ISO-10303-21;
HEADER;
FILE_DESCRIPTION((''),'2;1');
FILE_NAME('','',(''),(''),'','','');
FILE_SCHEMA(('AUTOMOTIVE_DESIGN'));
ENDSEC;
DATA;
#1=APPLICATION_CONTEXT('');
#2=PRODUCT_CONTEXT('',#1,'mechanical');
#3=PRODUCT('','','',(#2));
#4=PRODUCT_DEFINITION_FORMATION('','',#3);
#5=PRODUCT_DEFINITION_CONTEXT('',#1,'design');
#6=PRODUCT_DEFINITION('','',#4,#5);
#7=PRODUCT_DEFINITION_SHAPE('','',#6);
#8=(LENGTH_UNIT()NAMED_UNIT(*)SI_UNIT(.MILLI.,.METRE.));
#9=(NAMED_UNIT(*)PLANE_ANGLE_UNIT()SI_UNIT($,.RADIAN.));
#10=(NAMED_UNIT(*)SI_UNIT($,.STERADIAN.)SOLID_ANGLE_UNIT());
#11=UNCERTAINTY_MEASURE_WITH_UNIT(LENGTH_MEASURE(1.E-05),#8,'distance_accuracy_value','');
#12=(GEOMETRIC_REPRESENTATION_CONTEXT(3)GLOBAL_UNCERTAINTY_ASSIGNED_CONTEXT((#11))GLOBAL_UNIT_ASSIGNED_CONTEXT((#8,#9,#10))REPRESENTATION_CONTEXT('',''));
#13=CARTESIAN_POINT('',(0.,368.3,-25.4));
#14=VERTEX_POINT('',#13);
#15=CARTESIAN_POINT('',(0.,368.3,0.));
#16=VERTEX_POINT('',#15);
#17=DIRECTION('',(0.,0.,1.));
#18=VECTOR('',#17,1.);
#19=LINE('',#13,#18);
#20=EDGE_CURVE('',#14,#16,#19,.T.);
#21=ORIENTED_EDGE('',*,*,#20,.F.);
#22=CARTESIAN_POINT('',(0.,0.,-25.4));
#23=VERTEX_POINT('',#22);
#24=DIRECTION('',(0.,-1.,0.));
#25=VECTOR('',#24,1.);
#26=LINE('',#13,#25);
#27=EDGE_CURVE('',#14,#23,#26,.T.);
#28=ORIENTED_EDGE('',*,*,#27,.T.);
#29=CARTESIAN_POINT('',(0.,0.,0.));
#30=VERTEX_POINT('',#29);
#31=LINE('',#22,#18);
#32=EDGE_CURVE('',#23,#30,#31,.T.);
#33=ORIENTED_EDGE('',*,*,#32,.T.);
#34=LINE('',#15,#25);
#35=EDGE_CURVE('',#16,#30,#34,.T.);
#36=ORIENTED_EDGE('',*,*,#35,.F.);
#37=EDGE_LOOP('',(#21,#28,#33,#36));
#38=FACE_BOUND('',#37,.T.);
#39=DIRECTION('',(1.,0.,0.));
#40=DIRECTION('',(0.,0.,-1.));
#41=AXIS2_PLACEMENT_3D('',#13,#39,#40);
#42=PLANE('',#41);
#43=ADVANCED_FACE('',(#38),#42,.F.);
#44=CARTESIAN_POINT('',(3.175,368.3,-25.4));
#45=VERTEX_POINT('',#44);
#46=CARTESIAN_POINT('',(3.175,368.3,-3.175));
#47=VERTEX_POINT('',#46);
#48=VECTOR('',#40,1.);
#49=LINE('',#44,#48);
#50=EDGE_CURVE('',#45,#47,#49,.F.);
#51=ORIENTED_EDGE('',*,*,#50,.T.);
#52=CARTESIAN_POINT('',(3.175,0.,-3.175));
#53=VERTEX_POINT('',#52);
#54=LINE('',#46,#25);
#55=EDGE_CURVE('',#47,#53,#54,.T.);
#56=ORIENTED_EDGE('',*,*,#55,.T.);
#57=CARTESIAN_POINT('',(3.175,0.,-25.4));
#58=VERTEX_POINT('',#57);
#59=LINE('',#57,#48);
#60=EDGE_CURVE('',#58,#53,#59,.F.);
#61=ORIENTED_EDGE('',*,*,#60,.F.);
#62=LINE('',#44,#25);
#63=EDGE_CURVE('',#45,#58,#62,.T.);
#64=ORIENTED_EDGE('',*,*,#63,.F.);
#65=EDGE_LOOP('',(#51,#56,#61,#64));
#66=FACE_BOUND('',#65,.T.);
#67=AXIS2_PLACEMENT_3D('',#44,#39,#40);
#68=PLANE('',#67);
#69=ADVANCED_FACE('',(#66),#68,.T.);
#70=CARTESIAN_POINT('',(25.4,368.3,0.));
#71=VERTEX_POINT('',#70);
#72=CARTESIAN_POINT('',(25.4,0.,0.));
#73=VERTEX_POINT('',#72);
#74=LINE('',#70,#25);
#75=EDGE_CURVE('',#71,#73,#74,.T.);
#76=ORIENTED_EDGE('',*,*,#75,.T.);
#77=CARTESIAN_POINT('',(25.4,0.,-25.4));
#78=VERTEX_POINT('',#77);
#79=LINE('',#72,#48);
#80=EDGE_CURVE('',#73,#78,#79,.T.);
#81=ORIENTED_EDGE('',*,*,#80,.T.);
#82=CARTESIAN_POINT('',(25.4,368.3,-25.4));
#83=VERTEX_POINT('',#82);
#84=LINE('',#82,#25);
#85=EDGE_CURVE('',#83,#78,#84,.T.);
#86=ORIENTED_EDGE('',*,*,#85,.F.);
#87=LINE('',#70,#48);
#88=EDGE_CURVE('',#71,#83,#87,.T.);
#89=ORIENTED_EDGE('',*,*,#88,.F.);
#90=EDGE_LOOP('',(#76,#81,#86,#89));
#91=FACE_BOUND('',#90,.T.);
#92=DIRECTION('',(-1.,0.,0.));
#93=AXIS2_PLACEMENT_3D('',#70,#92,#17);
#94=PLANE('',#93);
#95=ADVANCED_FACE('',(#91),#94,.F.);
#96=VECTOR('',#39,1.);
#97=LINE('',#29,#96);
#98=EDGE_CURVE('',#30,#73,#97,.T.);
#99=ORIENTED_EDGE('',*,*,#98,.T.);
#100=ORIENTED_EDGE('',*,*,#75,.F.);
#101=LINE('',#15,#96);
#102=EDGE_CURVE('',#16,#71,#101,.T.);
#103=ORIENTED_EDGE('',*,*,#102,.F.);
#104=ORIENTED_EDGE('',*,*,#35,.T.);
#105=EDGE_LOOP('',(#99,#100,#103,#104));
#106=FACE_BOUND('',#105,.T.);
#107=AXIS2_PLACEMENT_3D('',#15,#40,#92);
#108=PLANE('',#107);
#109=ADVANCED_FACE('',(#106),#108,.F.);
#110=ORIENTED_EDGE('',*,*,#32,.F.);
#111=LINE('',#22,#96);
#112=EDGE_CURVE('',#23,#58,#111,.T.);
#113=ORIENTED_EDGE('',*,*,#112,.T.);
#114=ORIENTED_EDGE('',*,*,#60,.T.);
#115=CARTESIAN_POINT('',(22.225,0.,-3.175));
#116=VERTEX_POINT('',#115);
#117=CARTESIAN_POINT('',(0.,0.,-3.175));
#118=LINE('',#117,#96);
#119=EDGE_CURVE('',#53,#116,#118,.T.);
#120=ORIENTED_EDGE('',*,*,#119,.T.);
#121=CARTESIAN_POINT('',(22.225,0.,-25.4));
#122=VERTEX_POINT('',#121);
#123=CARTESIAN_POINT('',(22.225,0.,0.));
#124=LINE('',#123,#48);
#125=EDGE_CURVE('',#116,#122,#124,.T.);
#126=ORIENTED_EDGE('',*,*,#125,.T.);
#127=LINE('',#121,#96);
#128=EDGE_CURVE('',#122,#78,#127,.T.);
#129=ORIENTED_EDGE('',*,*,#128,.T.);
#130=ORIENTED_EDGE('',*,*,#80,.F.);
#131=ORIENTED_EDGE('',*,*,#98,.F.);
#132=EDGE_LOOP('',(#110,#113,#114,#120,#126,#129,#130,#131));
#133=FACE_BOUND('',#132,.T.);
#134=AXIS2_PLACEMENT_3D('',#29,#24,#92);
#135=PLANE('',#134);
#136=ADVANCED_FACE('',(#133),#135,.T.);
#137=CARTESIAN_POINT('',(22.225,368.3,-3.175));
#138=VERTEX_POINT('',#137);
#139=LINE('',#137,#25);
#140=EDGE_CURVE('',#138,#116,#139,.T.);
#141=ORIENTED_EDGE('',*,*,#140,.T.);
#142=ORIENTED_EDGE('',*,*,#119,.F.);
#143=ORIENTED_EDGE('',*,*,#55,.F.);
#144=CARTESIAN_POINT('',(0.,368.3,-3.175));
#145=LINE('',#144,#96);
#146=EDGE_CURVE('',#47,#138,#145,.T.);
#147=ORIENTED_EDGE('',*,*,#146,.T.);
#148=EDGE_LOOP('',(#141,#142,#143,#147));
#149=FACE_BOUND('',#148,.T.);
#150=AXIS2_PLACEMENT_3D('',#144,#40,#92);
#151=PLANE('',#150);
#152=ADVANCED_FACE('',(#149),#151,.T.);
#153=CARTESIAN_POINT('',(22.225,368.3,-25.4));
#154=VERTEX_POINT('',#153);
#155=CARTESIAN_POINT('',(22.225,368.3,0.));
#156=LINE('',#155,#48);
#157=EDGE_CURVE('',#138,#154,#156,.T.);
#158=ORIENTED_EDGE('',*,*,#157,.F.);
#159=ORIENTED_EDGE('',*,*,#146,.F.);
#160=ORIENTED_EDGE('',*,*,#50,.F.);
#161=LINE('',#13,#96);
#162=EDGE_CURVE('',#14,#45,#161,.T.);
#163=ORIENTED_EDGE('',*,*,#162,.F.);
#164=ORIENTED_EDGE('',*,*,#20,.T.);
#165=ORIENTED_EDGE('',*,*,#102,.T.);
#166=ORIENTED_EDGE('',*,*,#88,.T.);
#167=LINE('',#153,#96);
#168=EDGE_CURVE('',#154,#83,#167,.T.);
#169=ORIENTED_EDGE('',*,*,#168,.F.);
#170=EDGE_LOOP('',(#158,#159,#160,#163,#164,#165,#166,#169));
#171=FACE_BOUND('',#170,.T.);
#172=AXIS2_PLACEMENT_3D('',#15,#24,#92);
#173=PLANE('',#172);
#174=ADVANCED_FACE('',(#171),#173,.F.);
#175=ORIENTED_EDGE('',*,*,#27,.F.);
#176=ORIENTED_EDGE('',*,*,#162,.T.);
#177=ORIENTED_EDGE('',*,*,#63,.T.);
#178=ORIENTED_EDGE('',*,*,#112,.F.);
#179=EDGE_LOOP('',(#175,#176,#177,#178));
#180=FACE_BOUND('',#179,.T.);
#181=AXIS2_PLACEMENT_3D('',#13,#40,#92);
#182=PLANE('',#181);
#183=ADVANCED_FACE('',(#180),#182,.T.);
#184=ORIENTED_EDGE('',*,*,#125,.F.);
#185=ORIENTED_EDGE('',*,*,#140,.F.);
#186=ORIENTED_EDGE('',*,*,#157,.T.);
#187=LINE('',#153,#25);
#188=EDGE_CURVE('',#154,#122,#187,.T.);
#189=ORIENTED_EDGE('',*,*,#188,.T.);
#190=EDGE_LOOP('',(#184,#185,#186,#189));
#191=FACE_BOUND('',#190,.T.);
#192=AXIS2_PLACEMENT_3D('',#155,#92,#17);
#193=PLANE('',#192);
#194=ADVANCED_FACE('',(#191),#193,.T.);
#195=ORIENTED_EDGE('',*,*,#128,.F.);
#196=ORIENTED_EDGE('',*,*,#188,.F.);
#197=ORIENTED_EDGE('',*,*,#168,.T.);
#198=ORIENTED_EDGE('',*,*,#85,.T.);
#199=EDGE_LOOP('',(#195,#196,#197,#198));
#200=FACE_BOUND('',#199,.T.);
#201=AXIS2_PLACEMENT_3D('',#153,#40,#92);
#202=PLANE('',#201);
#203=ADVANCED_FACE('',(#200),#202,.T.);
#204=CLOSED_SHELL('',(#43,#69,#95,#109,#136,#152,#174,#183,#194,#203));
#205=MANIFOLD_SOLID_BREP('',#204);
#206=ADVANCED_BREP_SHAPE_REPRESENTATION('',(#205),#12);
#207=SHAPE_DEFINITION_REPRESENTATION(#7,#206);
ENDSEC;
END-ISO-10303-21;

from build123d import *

# Parameters (mm, degrees)
EXTRUDE_THIN1_DEPTH = 368.3


with BuildPart() as part:
    # Sketch1 → Extrude-Thin1 (new body)
    with BuildSketch(Plane(origin=(0, 0, 0), x_dir=(1, 0, 0), z_dir=(0, 1, 0))):
        Polygon((0, 25.4), (0, 0), (25.4, 0), (25.4, 25.4), (22.225, 25.4), (22.225, 3.175), (3.175, 3.175), (3.175, 25.4), align=None)
    extrude(amount=EXTRUDE_THIN1_DEPTH)


solid = part.part
